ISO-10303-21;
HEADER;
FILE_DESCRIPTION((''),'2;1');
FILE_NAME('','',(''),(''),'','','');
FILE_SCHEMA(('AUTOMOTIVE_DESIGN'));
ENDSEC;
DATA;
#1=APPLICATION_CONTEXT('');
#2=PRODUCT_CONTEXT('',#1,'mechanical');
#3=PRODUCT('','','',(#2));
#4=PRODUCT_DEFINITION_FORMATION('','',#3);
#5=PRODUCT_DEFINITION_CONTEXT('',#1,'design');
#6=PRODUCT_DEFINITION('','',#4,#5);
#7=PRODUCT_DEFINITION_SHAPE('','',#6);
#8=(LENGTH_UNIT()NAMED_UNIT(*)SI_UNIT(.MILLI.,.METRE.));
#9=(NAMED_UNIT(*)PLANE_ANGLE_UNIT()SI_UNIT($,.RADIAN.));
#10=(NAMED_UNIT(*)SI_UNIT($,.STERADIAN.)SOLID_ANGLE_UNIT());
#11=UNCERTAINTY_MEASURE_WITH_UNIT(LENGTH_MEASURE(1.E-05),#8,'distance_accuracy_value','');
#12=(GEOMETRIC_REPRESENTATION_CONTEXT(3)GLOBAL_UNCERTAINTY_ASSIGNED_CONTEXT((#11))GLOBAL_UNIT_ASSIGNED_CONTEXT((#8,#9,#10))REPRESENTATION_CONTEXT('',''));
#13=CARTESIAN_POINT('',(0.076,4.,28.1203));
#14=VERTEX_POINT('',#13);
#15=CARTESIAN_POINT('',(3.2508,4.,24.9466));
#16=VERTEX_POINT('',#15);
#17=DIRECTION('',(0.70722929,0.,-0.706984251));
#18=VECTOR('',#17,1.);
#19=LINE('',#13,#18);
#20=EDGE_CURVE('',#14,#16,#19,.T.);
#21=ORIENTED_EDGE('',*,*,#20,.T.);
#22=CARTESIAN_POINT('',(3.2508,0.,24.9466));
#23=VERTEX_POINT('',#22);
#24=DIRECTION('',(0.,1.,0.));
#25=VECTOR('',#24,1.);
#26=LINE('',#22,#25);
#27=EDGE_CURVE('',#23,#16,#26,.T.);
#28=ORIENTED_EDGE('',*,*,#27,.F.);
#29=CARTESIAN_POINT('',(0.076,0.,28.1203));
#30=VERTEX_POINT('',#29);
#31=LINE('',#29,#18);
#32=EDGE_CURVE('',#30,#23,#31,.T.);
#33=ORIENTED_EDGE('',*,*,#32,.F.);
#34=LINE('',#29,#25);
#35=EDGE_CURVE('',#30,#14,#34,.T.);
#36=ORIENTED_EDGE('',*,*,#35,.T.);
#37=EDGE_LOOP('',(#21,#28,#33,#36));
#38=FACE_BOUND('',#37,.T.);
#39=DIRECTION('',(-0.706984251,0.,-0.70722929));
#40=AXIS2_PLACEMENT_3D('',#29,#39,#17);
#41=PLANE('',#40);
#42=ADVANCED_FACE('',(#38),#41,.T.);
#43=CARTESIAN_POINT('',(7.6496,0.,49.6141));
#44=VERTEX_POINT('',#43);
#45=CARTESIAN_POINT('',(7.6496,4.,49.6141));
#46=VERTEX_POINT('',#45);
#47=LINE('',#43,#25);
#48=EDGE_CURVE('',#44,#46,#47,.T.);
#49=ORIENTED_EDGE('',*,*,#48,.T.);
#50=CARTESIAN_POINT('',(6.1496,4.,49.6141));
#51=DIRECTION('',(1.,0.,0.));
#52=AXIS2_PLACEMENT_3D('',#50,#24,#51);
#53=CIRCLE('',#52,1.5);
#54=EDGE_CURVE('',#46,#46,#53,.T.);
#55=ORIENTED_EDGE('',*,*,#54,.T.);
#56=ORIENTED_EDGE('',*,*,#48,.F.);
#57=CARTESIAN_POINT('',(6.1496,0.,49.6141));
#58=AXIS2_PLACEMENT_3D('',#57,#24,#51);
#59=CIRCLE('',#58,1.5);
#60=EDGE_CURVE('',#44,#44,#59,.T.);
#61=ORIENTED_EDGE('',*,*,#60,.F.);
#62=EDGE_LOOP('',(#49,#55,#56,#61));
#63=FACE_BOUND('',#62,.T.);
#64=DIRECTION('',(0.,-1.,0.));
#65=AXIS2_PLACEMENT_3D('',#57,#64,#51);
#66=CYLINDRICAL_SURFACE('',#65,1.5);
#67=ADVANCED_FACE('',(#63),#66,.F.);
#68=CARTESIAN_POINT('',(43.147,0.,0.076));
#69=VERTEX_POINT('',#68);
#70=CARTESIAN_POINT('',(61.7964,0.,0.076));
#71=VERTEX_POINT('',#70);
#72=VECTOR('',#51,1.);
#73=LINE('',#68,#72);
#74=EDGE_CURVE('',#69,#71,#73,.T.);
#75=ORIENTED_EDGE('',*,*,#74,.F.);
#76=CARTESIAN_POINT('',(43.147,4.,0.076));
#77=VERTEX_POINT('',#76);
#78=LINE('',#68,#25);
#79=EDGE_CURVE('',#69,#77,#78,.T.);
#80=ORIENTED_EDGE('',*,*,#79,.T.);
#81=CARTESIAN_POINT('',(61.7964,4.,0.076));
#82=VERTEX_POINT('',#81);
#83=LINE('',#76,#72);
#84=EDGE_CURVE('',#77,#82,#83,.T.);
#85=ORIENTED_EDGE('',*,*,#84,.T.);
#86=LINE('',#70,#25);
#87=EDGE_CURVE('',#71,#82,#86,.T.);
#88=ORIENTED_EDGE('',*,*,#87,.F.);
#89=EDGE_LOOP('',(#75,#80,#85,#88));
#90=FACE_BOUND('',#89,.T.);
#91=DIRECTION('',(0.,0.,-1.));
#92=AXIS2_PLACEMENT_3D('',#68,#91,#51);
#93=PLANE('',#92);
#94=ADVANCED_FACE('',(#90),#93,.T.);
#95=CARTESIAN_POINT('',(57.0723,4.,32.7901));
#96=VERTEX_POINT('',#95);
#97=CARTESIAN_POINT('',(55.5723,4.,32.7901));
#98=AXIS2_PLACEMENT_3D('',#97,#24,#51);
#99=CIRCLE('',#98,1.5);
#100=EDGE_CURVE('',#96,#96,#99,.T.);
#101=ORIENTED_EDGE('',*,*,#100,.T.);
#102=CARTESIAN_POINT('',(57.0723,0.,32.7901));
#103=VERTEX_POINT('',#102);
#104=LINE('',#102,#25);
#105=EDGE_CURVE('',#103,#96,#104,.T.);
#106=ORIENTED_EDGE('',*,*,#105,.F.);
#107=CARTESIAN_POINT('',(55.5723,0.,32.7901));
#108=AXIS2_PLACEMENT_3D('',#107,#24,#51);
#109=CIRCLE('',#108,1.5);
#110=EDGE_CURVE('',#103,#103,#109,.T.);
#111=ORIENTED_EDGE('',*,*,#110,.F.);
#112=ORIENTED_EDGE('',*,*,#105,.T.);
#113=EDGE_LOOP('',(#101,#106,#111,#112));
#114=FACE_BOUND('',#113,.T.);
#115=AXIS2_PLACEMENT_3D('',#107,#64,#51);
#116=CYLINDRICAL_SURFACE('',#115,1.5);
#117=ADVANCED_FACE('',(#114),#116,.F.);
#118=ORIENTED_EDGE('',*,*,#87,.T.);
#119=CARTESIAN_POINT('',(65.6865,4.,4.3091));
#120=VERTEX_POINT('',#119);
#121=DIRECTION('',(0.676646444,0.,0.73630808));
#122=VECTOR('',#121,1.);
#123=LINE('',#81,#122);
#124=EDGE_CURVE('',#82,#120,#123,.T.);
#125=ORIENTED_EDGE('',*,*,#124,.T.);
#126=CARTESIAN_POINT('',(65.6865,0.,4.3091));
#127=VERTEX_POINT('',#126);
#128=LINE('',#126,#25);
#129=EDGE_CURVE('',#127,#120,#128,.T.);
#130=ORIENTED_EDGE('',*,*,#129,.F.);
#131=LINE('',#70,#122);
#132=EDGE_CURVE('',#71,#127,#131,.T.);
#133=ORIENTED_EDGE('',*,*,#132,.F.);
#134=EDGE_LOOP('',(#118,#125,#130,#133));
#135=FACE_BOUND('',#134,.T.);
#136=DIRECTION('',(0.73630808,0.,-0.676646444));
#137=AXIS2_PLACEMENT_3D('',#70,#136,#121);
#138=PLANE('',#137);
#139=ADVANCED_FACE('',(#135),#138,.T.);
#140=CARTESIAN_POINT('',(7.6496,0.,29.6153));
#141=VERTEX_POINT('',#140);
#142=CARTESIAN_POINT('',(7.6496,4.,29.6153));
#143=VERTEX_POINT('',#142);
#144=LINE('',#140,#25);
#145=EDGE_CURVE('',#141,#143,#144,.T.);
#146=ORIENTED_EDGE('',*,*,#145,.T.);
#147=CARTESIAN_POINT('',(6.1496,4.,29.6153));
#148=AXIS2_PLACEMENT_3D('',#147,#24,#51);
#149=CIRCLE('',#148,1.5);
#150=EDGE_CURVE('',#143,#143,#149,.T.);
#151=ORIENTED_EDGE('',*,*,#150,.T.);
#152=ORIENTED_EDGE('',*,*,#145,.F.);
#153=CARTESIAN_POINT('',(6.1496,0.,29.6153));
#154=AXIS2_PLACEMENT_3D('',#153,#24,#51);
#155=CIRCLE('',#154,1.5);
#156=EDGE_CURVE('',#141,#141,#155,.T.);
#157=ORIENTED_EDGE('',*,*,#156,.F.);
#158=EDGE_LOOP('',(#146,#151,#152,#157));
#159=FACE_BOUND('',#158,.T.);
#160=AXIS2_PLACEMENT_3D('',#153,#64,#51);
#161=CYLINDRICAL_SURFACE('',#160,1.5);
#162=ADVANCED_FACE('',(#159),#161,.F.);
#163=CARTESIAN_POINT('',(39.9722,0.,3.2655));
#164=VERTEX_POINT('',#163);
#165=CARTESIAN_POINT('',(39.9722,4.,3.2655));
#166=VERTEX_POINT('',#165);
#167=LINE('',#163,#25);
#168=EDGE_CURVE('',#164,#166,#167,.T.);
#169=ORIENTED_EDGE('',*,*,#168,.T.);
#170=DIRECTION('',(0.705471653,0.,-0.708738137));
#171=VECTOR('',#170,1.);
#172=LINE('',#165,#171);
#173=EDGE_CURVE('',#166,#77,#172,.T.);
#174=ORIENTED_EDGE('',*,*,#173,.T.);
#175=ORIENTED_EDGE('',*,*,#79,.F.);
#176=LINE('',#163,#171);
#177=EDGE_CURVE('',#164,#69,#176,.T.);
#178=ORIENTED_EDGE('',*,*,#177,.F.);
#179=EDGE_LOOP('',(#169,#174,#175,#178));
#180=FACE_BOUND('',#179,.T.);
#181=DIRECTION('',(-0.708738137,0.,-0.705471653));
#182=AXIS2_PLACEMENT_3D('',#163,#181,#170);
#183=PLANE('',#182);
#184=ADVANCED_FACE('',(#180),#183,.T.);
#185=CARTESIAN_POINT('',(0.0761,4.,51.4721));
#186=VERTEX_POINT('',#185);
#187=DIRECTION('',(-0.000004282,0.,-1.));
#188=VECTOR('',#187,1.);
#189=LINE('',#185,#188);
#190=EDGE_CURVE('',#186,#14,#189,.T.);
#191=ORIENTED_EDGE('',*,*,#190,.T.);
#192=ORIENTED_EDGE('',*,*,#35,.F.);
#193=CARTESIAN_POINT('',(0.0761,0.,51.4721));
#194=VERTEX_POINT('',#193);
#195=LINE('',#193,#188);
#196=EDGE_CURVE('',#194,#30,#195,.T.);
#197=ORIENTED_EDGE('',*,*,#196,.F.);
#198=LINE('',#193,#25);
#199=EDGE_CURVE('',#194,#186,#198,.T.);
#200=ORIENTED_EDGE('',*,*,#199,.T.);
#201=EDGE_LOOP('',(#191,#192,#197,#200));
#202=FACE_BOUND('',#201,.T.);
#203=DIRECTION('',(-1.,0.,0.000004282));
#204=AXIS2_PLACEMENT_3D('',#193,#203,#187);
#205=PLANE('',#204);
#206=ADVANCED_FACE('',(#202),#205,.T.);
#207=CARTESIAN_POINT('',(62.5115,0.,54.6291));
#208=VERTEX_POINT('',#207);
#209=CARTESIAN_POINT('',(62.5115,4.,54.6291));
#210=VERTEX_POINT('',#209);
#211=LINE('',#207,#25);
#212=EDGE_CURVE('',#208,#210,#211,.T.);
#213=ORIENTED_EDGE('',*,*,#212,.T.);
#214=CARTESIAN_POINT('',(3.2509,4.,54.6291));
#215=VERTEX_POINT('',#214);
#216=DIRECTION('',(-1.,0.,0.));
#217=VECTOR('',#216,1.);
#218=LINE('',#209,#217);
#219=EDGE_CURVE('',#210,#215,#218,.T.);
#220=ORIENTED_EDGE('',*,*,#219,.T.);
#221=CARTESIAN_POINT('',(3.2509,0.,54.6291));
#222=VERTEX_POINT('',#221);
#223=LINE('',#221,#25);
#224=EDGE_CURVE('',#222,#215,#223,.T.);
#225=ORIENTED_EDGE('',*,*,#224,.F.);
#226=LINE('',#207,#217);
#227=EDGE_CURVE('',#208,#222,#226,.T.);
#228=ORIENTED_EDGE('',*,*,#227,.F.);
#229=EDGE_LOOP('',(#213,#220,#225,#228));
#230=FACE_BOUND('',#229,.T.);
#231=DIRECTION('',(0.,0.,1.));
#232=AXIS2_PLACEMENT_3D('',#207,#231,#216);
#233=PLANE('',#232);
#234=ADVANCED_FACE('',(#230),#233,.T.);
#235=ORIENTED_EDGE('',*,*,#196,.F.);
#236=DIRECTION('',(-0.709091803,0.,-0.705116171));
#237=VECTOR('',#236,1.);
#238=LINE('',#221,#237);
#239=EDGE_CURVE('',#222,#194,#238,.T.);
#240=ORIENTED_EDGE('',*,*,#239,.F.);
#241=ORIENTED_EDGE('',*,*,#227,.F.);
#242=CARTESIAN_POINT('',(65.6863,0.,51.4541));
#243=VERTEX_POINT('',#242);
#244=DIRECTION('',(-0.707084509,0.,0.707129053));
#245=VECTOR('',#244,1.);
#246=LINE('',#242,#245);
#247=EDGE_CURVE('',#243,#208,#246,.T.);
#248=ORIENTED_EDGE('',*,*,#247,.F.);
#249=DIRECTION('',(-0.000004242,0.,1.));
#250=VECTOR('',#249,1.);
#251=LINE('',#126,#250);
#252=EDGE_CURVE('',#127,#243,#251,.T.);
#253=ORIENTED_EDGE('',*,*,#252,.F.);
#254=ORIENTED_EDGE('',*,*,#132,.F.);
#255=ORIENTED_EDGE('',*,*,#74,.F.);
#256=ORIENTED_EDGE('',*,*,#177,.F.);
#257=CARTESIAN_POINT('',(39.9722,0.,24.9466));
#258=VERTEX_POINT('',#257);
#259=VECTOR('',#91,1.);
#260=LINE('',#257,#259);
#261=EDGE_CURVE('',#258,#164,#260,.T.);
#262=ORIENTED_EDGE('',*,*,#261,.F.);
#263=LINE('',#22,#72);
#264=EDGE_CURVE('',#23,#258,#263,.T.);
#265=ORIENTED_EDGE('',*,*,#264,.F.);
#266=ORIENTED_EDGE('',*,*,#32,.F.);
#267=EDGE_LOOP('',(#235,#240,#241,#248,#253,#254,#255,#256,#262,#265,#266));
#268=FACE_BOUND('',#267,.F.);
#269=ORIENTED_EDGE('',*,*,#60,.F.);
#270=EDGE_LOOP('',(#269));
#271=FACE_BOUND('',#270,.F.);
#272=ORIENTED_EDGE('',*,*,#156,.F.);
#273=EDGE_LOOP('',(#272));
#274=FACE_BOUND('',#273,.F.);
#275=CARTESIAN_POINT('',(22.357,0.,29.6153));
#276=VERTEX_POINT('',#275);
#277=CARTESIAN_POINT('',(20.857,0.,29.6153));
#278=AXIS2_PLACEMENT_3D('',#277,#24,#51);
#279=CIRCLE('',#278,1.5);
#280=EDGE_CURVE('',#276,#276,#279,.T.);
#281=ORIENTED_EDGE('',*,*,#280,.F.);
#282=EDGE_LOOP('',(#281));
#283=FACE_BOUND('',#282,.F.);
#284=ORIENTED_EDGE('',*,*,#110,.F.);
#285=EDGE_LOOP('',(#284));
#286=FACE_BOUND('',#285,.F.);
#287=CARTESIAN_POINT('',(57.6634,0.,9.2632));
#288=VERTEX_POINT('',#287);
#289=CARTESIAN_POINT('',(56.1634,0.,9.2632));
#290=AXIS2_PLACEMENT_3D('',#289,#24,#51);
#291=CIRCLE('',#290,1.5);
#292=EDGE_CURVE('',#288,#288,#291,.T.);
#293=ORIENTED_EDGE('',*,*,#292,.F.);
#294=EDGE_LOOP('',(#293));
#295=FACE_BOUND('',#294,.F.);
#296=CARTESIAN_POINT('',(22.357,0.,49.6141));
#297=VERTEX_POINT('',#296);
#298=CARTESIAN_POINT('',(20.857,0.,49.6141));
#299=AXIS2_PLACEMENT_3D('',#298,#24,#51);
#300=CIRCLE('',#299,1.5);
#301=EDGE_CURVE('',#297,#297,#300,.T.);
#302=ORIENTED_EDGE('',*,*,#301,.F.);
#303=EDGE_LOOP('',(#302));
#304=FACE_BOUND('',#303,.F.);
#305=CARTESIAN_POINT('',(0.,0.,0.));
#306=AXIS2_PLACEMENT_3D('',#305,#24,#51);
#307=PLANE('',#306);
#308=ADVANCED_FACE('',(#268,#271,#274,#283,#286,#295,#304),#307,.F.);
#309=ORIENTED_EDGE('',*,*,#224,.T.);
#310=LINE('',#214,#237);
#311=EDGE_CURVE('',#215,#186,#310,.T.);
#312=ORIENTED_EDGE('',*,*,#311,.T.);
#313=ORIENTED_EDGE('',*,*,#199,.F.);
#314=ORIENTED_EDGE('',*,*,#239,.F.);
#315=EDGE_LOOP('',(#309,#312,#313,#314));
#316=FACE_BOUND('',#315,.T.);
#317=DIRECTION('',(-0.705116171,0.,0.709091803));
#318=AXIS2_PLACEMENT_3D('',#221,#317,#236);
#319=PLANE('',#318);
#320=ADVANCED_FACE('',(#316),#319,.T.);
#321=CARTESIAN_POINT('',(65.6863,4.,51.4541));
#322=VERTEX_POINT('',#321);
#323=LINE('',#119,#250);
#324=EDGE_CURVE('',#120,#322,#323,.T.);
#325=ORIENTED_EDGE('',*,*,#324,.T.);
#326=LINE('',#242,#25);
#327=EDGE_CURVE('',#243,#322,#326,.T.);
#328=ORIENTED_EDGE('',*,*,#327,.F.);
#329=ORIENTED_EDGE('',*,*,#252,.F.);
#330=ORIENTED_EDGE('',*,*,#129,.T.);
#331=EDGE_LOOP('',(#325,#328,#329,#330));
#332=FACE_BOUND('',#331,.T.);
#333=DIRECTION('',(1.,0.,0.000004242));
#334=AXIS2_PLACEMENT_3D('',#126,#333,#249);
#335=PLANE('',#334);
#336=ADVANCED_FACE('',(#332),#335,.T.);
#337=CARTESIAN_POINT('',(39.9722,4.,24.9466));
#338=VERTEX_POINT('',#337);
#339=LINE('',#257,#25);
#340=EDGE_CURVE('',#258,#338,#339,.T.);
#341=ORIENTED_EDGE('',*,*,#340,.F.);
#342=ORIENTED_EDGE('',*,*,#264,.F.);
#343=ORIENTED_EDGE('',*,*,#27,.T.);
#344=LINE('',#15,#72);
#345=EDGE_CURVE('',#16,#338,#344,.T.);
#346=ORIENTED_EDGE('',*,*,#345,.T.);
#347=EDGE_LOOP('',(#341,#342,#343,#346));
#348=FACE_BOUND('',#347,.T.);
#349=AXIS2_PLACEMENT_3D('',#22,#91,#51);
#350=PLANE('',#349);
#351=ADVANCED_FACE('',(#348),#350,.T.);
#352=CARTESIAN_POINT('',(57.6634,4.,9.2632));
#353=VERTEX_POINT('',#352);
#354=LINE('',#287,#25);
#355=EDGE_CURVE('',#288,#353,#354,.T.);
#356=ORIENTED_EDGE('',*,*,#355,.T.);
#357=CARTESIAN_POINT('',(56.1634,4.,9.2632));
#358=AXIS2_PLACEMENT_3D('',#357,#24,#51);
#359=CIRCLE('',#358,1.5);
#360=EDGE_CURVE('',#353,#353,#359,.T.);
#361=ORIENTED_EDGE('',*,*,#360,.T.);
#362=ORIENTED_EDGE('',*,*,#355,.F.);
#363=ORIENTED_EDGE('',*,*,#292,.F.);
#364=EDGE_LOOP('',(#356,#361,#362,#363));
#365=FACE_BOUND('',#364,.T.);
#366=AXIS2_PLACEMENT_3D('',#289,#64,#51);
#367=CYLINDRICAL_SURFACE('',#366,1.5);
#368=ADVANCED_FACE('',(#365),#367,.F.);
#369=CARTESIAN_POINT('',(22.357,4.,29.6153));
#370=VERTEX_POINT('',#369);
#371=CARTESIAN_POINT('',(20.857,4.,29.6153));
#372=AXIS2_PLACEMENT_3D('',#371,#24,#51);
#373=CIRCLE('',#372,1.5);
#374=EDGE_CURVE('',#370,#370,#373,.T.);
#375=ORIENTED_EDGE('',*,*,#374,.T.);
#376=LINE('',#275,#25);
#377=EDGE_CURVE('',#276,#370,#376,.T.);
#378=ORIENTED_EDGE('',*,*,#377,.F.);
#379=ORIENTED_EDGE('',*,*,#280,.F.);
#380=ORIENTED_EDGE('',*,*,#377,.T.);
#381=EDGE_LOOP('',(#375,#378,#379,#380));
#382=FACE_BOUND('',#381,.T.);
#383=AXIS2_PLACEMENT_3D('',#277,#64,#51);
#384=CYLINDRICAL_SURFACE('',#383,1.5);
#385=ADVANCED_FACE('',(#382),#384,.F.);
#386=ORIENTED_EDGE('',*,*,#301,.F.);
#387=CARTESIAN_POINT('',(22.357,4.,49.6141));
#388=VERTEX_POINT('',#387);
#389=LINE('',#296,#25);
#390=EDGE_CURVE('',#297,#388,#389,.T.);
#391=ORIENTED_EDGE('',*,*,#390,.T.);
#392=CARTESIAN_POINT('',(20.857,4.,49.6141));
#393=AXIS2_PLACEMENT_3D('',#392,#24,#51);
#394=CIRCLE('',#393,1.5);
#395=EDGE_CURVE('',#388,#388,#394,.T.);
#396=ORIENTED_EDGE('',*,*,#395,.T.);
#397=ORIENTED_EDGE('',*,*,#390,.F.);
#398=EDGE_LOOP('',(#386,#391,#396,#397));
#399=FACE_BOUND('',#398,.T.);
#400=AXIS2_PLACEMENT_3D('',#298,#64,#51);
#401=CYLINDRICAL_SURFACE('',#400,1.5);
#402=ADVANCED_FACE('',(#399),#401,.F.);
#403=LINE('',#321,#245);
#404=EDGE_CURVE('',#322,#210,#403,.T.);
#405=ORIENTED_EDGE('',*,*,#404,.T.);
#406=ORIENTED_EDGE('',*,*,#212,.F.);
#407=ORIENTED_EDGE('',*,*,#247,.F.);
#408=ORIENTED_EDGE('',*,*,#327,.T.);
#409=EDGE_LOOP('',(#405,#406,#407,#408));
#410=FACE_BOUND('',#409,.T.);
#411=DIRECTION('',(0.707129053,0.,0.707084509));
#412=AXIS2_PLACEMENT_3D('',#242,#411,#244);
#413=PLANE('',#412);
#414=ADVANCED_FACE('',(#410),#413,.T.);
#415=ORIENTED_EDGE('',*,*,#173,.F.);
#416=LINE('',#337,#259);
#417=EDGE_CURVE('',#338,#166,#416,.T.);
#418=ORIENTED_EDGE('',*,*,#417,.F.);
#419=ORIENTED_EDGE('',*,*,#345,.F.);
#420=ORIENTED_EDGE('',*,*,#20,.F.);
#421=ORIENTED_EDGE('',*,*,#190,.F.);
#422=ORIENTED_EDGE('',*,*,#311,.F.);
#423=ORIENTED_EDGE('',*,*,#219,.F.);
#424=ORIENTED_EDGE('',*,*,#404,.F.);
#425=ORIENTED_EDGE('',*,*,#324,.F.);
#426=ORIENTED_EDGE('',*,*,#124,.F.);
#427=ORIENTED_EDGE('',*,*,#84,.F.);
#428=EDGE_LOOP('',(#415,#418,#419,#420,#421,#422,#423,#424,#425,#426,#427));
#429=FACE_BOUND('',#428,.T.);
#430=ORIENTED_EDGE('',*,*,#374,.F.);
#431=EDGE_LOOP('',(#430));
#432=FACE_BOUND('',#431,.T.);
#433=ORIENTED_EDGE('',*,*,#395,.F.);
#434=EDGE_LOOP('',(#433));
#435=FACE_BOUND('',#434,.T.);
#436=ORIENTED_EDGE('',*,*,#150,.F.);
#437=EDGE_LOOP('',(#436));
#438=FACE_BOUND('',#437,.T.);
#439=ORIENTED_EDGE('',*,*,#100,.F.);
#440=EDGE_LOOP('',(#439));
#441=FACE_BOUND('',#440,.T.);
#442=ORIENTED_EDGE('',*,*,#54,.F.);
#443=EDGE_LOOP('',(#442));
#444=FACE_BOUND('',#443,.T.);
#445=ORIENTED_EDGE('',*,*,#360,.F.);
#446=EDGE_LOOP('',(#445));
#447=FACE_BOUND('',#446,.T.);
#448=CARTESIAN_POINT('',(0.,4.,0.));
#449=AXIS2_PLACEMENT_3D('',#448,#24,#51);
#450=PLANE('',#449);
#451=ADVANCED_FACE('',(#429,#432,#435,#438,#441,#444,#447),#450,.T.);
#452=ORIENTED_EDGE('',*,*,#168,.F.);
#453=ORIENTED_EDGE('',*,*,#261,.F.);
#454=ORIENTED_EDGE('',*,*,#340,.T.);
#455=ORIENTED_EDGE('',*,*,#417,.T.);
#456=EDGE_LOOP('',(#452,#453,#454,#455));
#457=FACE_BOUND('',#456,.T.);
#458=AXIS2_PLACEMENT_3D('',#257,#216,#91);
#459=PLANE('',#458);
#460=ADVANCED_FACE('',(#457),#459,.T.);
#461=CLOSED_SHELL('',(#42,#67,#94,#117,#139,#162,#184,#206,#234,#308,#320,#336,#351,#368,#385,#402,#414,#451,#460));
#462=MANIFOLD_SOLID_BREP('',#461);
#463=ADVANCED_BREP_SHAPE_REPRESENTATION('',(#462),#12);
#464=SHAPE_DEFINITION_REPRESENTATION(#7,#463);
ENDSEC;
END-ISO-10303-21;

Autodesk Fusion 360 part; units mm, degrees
sketch "Skizze1" plane through (0, 0, 0) normal (0, 1, 0) x (1, 0, 0)
  line L0 (0.076, -28.1203) -> (3.2508, -24.9466)
  line L1 (3.2508, -24.9466) -> (39.9722, -24.9466)
  line L2 (39.9722, -24.9466) -> (39.9722, -3.2655)
  line L3 (39.9722, -3.2655) -> (43.147, -0.076)
  line L4 (43.147, -0.076) -> (61.7964, -0.076)
  line L5 (61.7964, -0.076) -> (65.6865, -4.3091)
  line L6 (65.6865, -4.3091) -> (65.6863, -51.4541)
  line L7 (65.6863, -51.4541) -> (62.5115, -54.6291)
  line L8 (62.5115, -54.6291) -> (3.2509, -54.6291)
  line L9 (3.2509, -54.6291) -> (0.0761, -51.4721)
  line L10 (0.0761, -51.4721) -> (0.076, -28.1203)
  circle A0 centre (6.1496, -29.6153) radius 2.4004
  circle A1 centre (20.857, -29.6153) radius 2.4004
  circle A2 centre (6.1496, -49.6141) radius 2.4004
  circle A3 centre (20.857, -49.6141) radius 2.4004
  circle A4 centre (55.5723, -32.7901) radius 2.4004
  circle A5 centre (56.1634, -9.2632) radius 2.4004
  circle A6 centre (6.1496, -29.6153) radius 1.5
  circle A7 centre (6.1496, -49.6141) radius 1.5
  circle A8 centre (20.857, -29.6153) radius 1.5
  circle A9 centre (20.857, -49.6141) radius 1.5
  circle A10 centre (56.1634, -9.2632) radius 1.5
  circle A11 centre (55.5723, -32.7901) radius 1.5
  point P0 (8.55, -29.6153)
  point P1 (23.2574, -29.6153)
  point P2 (8.55, -49.6141)
  point P3 (23.2574, -49.6141)
  point P4 (57.9727, -32.7901)
  point P5 (58.5638, -9.2632)
  dimension "d1" = 3
  dimension "d2" = 3
  dimension "d3" = 3
  dimension "d4" = 3
  dimension "d5" = 3
  dimension "d6" = 3
extrude "Extrusion1" add sketch "Skizze1" along normal blind 4 contours L0 L1 L2 L3 L4 L5 L6 L7 L8 L9 L10 | A0 | A1 | A2 | A3 | A4 | A5
sketch "Skizze2" plane through (0, 4, 0) normal (0, 1, 0) x (-1, 0, 0)
  circle A0 centre (-55.5723, 32.7901) radius 1.5
  circle A1 centre (-20.857, 49.6141) radius 1.5
  circle A2 centre (-20.857, 29.6153) radius 1.5
  circle A3 centre (-6.1496, 49.6141) radius 1.5
  circle A4 centre (-56.1634, 9.2632) radius 1.5
  circle A5 centre (-6.1496, 29.6153) radius 1.5
  line L0 (-0.0761, 51.4721) -> (-3.2509, 54.6291)
  line L1 (-3.2509, 54.6291) -> (-62.5115, 54.6291)
  line L2 (-62.5115, 54.6291) -> (-65.6863, 51.4541)
  line L3 (-65.6863, 51.4541) -> (-65.6865, 4.3091)
  line L4 (-65.6865, 4.3091) -> (-61.7964, 0.076)
  line L5 (-61.7964, 0.076) -> (-43.147, 0.076)
  line L6 (-43.147, 0.076) -> (-39.9722, 3.2655)
  line L7 (-39.9722, 3.2655) -> (-39.9722, 24.9466)
  line L8 (-39.9722, 24.9466) -> (-3.2508, 24.9466)
  line L9 (-3.2508, 24.9466) -> (-0.076, 28.1203)
  line L10 (-0.076, 28.1203) -> (-0.0761, 51.4721)
sketch "Skizze3" plane through (0, 4, 0) normal (0, 1, 0) x (-1, 0, 0)
